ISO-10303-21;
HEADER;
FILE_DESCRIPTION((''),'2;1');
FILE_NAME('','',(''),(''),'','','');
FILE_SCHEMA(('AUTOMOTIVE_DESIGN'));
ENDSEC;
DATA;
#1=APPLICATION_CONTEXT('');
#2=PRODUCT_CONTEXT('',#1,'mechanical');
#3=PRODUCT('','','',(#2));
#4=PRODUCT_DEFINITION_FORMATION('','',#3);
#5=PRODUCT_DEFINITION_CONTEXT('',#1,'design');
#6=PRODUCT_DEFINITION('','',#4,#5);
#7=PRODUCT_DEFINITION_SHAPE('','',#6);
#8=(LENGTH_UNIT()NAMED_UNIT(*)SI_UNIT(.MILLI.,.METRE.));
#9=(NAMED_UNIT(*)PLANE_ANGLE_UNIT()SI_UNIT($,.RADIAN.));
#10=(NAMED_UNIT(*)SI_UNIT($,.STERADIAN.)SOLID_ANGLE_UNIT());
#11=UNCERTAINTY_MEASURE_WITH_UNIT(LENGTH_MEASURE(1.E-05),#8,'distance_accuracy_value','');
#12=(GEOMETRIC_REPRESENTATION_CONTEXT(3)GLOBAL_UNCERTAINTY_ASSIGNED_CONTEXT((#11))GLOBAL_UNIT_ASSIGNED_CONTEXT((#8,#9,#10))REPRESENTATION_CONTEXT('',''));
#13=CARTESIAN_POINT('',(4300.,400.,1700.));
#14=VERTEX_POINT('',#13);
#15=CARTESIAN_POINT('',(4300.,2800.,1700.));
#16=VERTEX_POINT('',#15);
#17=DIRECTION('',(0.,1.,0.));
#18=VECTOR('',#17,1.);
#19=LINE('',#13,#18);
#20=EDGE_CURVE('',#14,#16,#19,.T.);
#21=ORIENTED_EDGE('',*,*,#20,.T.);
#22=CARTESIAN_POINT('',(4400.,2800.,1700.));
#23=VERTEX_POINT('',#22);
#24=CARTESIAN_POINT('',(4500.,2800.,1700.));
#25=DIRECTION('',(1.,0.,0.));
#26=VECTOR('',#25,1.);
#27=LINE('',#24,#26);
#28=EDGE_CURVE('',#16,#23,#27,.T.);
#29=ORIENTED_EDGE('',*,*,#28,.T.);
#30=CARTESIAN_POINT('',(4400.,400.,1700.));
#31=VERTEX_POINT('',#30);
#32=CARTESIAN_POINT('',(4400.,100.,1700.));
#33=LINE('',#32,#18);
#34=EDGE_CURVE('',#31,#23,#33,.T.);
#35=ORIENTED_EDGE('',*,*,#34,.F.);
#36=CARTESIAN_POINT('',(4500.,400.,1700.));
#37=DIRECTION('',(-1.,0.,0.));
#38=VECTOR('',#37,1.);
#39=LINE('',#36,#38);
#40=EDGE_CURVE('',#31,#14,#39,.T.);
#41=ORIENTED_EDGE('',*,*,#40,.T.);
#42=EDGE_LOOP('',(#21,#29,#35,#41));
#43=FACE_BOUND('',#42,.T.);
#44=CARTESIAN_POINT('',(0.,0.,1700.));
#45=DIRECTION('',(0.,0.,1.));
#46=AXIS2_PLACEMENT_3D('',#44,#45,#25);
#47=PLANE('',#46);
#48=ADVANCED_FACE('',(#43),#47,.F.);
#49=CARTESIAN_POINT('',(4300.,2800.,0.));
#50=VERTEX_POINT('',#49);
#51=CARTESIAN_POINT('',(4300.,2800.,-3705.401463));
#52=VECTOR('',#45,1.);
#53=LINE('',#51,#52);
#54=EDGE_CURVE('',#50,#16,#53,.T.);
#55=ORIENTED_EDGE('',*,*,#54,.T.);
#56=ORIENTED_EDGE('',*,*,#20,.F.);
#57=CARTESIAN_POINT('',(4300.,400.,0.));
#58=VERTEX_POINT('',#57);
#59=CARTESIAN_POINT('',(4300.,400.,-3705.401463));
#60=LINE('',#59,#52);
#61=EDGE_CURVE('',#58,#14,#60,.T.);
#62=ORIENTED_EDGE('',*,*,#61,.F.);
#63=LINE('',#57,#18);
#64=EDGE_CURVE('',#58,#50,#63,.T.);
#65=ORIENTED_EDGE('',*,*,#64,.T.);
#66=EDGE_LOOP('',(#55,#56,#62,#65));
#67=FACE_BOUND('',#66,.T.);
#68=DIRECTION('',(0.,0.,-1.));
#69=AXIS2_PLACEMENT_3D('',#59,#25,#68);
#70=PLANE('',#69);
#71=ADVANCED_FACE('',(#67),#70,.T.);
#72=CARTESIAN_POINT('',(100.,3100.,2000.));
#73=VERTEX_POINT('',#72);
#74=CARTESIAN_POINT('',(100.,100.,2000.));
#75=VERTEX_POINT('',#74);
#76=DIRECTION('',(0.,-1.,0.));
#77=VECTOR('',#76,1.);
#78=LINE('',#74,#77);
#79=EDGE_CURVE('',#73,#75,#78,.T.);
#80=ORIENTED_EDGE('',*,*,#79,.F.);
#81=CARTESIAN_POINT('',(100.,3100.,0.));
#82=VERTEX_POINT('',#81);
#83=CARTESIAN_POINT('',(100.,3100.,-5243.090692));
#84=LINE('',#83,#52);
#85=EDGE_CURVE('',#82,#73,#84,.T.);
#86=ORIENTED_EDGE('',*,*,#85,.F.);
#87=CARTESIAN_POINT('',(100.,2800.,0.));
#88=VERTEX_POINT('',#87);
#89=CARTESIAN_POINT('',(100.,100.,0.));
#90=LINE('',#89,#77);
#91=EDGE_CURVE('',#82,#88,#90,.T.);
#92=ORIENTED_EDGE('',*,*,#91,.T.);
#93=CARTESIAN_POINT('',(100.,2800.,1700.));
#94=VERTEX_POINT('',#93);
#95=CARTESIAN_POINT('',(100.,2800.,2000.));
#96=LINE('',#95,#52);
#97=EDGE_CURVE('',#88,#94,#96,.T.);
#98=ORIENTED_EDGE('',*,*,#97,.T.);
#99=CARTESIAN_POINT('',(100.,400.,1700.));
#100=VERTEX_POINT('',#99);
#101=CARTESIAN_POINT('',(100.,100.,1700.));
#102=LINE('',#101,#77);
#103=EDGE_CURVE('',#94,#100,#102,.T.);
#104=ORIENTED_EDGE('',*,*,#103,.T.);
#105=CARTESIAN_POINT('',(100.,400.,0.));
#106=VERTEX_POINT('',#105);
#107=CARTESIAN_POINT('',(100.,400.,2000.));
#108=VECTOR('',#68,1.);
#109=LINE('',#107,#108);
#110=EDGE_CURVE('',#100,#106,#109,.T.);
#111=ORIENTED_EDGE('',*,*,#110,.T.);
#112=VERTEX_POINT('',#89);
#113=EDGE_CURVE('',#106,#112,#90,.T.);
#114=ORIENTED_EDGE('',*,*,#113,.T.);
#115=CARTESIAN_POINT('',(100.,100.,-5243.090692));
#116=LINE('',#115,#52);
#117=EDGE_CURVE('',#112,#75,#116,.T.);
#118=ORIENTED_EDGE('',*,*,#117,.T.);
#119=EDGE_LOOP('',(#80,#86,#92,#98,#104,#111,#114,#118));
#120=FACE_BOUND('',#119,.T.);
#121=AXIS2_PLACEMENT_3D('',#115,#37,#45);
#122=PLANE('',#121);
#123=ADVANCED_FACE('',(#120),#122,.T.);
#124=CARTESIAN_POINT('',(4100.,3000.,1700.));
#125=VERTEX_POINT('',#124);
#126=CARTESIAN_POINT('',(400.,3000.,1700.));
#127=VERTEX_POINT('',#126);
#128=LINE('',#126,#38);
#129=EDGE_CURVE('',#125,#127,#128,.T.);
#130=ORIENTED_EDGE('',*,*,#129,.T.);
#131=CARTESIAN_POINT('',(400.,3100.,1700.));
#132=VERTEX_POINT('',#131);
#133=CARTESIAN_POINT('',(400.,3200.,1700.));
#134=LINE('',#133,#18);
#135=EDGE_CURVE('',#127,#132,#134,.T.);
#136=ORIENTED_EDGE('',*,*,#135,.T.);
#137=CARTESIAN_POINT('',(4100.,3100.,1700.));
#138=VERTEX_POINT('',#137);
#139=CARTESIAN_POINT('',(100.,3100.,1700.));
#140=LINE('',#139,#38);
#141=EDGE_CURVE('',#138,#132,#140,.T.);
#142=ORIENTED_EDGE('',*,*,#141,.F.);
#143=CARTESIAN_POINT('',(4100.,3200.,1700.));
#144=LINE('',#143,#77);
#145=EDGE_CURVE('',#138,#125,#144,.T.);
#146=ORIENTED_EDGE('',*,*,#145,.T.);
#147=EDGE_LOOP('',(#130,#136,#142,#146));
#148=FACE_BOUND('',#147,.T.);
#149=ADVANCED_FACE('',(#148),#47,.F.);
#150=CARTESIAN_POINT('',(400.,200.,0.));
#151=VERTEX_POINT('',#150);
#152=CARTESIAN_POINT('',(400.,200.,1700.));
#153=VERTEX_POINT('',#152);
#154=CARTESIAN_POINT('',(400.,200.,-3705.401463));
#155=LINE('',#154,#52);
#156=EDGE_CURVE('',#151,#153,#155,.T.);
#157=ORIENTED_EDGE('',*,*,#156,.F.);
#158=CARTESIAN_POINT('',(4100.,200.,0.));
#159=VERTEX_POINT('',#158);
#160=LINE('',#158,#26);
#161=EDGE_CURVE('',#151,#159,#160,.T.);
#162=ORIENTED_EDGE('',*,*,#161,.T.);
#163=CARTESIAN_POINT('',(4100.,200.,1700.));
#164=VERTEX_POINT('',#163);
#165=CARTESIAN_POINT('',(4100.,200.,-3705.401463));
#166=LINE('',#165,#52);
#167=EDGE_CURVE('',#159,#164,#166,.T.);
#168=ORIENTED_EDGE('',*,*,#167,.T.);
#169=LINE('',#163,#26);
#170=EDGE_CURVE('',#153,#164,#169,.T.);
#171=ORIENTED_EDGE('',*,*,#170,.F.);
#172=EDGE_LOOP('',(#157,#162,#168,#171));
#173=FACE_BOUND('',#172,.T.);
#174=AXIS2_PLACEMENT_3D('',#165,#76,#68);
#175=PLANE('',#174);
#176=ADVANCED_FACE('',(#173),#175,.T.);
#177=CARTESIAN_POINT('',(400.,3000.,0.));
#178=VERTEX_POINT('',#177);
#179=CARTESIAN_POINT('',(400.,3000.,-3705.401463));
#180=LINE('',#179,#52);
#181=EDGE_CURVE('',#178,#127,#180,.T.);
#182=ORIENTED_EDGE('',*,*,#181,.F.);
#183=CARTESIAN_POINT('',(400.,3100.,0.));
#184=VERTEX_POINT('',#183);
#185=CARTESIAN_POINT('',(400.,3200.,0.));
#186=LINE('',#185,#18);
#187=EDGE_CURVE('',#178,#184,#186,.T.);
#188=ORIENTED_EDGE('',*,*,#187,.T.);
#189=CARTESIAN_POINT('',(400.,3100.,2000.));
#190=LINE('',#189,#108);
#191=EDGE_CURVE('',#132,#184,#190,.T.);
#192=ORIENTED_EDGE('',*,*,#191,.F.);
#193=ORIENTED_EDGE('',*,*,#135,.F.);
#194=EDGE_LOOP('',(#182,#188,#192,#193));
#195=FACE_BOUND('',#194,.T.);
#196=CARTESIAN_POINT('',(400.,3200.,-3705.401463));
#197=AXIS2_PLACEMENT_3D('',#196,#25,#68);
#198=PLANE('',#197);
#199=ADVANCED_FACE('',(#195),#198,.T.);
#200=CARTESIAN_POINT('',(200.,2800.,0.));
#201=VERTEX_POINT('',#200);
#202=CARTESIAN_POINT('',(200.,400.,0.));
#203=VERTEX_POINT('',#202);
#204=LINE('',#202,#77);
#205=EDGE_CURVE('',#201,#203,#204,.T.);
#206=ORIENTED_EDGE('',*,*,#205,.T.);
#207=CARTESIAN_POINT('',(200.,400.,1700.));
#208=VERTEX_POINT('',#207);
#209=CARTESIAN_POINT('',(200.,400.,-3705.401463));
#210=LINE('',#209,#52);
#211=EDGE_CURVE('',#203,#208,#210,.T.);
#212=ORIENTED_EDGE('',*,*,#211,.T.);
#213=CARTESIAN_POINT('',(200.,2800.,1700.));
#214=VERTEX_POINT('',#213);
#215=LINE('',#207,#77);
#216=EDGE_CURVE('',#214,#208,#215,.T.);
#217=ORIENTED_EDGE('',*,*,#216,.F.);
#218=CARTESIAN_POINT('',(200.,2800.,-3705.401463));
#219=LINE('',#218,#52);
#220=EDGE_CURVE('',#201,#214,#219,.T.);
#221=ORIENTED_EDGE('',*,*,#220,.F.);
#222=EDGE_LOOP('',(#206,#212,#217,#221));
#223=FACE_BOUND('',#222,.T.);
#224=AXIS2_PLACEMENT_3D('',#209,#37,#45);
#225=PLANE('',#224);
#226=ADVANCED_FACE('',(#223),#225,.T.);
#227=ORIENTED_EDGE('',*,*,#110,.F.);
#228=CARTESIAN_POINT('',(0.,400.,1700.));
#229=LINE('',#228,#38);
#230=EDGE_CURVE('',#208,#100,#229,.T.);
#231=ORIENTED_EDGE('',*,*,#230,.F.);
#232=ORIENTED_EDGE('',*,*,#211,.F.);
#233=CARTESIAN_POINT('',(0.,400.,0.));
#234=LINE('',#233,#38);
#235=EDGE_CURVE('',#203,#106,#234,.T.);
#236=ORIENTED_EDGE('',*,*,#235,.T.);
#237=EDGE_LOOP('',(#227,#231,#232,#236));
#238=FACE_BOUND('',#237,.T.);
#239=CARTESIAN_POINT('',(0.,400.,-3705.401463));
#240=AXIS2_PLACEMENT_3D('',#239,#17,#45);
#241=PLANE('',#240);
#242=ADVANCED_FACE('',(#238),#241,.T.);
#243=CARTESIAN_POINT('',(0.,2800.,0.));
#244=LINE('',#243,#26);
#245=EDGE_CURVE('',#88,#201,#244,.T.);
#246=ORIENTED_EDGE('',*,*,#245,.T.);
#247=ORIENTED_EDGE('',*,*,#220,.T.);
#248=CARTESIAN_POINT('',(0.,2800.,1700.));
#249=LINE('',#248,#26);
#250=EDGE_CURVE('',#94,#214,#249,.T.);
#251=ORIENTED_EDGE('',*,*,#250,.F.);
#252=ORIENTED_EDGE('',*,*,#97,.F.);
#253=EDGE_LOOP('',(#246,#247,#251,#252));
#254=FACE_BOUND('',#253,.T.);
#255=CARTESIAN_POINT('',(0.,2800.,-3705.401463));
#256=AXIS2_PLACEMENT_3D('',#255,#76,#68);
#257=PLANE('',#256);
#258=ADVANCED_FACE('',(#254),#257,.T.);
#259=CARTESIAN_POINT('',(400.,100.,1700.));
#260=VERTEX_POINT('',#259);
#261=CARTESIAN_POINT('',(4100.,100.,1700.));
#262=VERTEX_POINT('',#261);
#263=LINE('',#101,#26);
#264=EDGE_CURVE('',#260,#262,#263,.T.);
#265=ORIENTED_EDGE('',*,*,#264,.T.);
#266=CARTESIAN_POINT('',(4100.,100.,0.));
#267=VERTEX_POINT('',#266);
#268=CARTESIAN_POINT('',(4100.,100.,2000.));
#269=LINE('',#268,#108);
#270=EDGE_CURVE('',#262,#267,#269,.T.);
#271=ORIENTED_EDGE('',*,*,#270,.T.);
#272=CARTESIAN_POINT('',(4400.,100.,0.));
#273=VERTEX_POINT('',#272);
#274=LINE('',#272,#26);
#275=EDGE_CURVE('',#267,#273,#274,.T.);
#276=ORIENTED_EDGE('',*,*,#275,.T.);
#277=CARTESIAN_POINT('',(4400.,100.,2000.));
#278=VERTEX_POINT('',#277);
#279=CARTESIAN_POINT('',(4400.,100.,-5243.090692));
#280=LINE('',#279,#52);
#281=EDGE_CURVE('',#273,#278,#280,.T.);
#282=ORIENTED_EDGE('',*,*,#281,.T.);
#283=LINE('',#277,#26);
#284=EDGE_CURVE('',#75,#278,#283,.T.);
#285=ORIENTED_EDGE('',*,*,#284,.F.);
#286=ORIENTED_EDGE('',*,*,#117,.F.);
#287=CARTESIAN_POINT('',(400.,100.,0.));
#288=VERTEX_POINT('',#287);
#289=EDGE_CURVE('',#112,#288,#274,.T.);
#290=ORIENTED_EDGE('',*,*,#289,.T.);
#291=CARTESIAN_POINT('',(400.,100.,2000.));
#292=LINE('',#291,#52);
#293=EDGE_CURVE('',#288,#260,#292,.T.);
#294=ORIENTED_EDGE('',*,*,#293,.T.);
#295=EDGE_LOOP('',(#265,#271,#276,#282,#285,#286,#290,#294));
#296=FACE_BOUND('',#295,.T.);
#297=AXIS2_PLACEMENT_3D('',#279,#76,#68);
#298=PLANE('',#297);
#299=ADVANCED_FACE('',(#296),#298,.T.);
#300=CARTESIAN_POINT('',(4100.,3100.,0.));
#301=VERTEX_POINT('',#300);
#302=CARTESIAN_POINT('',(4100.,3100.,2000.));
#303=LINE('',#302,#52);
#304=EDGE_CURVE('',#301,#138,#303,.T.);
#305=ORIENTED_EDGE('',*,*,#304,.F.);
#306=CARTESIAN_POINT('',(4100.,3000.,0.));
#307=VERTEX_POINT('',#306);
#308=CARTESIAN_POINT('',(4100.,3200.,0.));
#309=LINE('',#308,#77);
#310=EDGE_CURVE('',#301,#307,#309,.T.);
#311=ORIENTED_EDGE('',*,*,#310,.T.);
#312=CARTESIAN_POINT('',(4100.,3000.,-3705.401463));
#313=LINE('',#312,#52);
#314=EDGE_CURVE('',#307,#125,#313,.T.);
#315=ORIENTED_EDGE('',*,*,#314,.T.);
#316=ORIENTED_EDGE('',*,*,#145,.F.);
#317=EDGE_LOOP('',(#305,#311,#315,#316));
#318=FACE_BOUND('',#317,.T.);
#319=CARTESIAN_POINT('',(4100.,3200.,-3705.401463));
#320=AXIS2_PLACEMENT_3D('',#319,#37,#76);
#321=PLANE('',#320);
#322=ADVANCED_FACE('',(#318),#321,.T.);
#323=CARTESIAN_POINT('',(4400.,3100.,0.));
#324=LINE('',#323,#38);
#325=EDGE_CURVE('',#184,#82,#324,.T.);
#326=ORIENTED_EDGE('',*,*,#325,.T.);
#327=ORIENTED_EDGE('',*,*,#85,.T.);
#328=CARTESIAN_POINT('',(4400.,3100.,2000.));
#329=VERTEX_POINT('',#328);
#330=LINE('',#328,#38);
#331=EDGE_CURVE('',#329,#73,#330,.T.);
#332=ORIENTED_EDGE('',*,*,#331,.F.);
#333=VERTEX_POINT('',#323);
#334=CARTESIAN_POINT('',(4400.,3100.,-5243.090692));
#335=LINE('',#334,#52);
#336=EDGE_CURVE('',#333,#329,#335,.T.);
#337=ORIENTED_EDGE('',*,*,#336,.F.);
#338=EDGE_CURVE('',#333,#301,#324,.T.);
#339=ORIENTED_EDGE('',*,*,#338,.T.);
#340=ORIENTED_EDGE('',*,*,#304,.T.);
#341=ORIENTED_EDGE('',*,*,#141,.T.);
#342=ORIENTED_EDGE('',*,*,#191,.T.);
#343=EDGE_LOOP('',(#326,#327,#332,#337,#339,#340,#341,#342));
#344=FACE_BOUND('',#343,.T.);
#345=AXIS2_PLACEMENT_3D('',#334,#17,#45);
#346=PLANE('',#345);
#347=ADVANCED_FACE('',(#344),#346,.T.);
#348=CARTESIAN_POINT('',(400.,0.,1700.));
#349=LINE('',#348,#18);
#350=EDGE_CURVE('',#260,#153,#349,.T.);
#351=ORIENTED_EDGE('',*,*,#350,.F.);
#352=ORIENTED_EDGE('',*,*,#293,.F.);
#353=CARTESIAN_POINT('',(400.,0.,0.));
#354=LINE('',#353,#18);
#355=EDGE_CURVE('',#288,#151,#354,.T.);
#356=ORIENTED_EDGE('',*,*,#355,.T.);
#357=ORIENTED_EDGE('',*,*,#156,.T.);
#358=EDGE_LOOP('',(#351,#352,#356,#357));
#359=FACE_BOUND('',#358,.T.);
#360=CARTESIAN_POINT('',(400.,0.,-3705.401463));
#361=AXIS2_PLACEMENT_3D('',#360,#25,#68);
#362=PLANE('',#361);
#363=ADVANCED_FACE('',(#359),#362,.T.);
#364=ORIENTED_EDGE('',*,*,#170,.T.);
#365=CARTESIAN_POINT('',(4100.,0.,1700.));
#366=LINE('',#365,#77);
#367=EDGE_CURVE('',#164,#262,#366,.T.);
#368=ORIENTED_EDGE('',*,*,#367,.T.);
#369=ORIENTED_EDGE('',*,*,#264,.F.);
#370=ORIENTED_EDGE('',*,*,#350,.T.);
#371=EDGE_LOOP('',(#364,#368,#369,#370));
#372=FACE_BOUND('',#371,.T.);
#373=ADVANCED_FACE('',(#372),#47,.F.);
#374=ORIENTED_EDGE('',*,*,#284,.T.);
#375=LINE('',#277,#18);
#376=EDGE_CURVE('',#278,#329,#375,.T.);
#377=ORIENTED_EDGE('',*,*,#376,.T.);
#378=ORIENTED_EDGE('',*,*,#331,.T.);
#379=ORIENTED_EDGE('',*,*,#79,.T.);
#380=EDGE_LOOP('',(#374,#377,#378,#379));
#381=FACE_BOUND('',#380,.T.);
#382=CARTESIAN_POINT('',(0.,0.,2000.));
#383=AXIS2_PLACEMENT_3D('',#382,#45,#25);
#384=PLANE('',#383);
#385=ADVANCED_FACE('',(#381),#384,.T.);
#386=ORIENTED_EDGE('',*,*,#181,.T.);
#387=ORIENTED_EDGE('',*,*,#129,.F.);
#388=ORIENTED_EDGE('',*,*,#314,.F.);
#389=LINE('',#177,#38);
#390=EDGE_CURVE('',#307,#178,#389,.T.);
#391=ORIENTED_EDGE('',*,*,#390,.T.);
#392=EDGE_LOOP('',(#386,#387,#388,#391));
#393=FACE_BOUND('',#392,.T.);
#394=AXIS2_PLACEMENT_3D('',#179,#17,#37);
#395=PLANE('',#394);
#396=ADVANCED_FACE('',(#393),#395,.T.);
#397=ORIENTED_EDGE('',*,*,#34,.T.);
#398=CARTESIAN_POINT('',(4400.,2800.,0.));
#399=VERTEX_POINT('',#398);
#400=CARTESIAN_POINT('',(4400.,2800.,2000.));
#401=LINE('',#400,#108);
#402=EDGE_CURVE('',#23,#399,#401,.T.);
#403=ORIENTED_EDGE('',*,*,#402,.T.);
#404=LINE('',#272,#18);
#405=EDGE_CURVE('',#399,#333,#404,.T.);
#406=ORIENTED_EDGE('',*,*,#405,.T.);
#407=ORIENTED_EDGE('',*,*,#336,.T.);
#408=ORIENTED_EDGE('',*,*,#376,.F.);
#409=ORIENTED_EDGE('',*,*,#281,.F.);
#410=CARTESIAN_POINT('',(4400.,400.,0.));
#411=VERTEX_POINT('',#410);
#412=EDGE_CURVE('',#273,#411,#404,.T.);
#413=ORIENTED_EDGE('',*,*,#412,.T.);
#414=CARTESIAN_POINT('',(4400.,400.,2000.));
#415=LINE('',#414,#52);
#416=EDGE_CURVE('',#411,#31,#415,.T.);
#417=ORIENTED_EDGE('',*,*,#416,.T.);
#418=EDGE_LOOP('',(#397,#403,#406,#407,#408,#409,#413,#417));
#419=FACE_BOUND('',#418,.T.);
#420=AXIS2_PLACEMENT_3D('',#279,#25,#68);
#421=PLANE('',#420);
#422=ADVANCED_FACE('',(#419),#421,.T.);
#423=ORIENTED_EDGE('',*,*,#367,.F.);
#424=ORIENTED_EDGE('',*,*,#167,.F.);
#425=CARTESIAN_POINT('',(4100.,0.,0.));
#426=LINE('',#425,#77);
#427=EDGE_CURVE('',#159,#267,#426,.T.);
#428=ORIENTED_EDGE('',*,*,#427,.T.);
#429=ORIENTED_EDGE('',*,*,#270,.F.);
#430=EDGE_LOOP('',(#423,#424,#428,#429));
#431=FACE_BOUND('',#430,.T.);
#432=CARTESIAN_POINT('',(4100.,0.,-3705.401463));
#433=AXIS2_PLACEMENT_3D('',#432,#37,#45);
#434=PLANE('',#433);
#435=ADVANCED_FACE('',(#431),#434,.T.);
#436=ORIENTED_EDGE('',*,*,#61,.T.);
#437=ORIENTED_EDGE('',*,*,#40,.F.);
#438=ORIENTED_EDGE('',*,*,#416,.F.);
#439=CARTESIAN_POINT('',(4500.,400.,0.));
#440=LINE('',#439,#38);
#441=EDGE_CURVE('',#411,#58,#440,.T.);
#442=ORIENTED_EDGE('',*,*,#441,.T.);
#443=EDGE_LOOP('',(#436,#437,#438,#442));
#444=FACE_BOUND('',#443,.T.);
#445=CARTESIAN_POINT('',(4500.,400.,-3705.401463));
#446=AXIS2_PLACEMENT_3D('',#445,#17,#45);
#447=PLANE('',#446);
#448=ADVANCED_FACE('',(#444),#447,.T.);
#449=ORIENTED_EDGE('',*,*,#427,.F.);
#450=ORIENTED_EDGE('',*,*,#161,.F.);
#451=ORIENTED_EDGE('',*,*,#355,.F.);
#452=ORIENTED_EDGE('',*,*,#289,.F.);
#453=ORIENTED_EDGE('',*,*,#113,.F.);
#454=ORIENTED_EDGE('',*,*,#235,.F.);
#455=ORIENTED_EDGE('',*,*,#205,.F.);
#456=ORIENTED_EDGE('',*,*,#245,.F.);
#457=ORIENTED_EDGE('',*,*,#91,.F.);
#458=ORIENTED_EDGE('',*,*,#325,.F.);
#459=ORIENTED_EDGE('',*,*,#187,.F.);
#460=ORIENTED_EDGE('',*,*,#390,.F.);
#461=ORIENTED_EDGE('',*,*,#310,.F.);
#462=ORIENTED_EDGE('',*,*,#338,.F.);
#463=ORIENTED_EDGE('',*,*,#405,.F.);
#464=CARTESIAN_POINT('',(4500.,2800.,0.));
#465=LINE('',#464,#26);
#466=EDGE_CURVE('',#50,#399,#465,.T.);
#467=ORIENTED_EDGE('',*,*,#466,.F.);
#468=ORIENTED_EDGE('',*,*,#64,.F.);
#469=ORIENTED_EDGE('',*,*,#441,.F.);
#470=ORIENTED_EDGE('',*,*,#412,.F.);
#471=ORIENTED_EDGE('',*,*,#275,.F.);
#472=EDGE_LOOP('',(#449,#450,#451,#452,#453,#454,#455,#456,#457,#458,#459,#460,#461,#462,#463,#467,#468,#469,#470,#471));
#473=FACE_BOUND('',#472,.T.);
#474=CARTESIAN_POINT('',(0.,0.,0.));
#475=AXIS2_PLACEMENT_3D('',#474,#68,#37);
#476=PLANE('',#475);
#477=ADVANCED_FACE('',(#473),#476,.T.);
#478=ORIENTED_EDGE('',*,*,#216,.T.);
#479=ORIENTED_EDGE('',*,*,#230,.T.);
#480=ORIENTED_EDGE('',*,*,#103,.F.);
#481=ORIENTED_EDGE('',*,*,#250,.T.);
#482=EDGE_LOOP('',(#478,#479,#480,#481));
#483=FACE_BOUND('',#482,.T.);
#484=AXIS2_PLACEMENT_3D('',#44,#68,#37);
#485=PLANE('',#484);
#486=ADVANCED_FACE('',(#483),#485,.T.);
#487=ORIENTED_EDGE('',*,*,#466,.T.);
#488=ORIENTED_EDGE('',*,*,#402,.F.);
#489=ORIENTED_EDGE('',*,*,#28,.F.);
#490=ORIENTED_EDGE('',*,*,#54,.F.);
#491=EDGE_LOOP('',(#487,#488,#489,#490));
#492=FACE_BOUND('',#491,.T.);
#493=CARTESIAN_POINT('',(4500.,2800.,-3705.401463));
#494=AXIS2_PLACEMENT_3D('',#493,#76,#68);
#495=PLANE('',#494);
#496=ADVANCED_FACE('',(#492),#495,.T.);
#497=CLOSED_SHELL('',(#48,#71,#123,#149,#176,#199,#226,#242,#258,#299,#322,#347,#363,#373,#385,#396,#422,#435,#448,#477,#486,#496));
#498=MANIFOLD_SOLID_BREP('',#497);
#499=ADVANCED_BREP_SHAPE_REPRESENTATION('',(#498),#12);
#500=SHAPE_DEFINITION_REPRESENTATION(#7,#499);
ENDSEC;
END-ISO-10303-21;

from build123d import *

# Parameters (mm, degrees)
SKETCH1_W               = 4500
SKETCH1_H               = 3200
SKETCH1_W_2             = 4300
SKETCH1_H_2             = 3000
BOSS_EXTRUDE1_DEPTH     = 2000
CUT_EXTRUDE1_DEPTH      = 5819.93461039
CUT_EXTRUDE1_DEPTH_BACK = 5819.93461039
SKETCH2_W               = 3700
SKETCH2_H               = 1700
CUT_EXTRUDE2_DEPTH      = 5873.81874401
CUT_EXTRUDE2_DEPTH_BACK = 5873.81874401
SKETCH3_W               = 1700
SKETCH3_H               = 2400
SKETCH4_W               = 3700
SKETCH4_H               = 200
BOSS_EXTRUDE2_DEPTH     = 1700
SKETCH4_W_2             = 200
SKETCH4_H_2             = 2400
BOSS_EXTRUDE2_2_DEPTH   = 1700
BOSS_EXTRUDE2_3_DEPTH   = 1700
BOSS_EXTRUDE2_4_DEPTH   = 1700
SKETCH5_W               = 4300
SKETCH5_H               = 3000
BOSS_EXTRUDE3_DEPTH     = 2000


with BuildPart() as part:
    # Sketch1 → Boss-Extrude1 (new body)
    with BuildSketch(Plane.XY):
        with Locations((2250, 1600)):
            Rectangle(SKETCH1_W, SKETCH1_H)
        with Locations((2250, 1600)):
            Rectangle(SKETCH1_W_2, SKETCH1_H_2, mode=Mode.SUBTRACT)
    extrude(amount=BOSS_EXTRUDE1_DEPTH)

    # Sketch2 → Cut-Extrude1 (cut, two sides: drawn at the far end of the back side and taken through both)
    with BuildSketch(Plane.XZ.offset(-3100).offset(-CUT_EXTRUDE1_DEPTH_BACK)):
        with Locations((2250, 850)):
            Rectangle(SKETCH2_W, SKETCH2_H)
    extrude(amount=CUT_EXTRUDE1_DEPTH + CUT_EXTRUDE1_DEPTH_BACK, mode=Mode.SUBTRACT)

    # Sketch3 → Cut-Extrude2 (cut, two sides: drawn at the far end of the back side and taken through both)
    with BuildSketch(Plane.ZY.offset(-CUT_EXTRUDE2_DEPTH_BACK)):
        with Locations((850, 1600)):
            Rectangle(SKETCH3_W, SKETCH3_H)
    extrude(amount=CUT_EXTRUDE2_DEPTH + CUT_EXTRUDE2_DEPTH_BACK, mode=Mode.SUBTRACT)


with BuildPart() as body_2:
    # Sketch4 → Boss-Extrude2 (new body)
    with BuildSketch(Plane(origin=(0, 0, 1700), x_dir=(-1, 0, 0), z_dir=(0, 0, -1))):
        with Locations((-2250, 100)):
            Rectangle(SKETCH4_W, SKETCH4_H)
    extrude(amount=BOSS_EXTRUDE2_DEPTH)


with BuildPart() as body_3:
    # Sketch4 → Boss-Extrude2 2 (new body)
    with BuildSketch(Plane(origin=(0, 0, 1700), x_dir=(-1, 0, 0), z_dir=(0, 0, -1))):
        with Locations((-100, 1600)):
            Rectangle(SKETCH4_W_2, SKETCH4_H_2)
    extrude(amount=BOSS_EXTRUDE2_2_DEPTH)


with BuildPart() as body_4:
    # Sketch4 → Boss-Extrude2 3 (new body)
    with BuildSketch(Plane(origin=(0, 0, 1700), x_dir=(-1, 0, 0), z_dir=(0, 0, -1))):
        with Locations((-2250, 3100)):
            Rectangle(SKETCH4_W, SKETCH4_H)
    extrude(amount=BOSS_EXTRUDE2_3_DEPTH)


with BuildPart() as body_5:
    # Sketch4 → Boss-Extrude2 4 (new body)
    with BuildSketch(Plane(origin=(0, 0, 1700), x_dir=(-1, 0, 0), z_dir=(0, 0, -1))):
        with Locations((-4400, 1600)):
            Rectangle(SKETCH4_W_2, SKETCH4_H_2)
    extrude(amount=BOSS_EXTRUDE2_4_DEPTH)


with BuildPart() as body_6:
    # Sketch5 → Boss-Extrude3 (new body)
    with BuildSketch(Plane.XY.offset(2000)):
        with Locations((2250, 1600)):
            Rectangle(SKETCH5_W, SKETCH5_H)
    extrude(amount=-BOSS_EXTRUDE3_DEPTH)

    # Combine1: cut part, body 5, body 4, body 3, body 2
    add(part.part, mode=Mode.SUBTRACT)
    add(body_5.part, mode=Mode.SUBTRACT)
    add(body_4.part, mode=Mode.SUBTRACT)
    add(body_3.part, mode=Mode.SUBTRACT)
    add(body_2.part, mode=Mode.SUBTRACT)


solid = body_6.part
